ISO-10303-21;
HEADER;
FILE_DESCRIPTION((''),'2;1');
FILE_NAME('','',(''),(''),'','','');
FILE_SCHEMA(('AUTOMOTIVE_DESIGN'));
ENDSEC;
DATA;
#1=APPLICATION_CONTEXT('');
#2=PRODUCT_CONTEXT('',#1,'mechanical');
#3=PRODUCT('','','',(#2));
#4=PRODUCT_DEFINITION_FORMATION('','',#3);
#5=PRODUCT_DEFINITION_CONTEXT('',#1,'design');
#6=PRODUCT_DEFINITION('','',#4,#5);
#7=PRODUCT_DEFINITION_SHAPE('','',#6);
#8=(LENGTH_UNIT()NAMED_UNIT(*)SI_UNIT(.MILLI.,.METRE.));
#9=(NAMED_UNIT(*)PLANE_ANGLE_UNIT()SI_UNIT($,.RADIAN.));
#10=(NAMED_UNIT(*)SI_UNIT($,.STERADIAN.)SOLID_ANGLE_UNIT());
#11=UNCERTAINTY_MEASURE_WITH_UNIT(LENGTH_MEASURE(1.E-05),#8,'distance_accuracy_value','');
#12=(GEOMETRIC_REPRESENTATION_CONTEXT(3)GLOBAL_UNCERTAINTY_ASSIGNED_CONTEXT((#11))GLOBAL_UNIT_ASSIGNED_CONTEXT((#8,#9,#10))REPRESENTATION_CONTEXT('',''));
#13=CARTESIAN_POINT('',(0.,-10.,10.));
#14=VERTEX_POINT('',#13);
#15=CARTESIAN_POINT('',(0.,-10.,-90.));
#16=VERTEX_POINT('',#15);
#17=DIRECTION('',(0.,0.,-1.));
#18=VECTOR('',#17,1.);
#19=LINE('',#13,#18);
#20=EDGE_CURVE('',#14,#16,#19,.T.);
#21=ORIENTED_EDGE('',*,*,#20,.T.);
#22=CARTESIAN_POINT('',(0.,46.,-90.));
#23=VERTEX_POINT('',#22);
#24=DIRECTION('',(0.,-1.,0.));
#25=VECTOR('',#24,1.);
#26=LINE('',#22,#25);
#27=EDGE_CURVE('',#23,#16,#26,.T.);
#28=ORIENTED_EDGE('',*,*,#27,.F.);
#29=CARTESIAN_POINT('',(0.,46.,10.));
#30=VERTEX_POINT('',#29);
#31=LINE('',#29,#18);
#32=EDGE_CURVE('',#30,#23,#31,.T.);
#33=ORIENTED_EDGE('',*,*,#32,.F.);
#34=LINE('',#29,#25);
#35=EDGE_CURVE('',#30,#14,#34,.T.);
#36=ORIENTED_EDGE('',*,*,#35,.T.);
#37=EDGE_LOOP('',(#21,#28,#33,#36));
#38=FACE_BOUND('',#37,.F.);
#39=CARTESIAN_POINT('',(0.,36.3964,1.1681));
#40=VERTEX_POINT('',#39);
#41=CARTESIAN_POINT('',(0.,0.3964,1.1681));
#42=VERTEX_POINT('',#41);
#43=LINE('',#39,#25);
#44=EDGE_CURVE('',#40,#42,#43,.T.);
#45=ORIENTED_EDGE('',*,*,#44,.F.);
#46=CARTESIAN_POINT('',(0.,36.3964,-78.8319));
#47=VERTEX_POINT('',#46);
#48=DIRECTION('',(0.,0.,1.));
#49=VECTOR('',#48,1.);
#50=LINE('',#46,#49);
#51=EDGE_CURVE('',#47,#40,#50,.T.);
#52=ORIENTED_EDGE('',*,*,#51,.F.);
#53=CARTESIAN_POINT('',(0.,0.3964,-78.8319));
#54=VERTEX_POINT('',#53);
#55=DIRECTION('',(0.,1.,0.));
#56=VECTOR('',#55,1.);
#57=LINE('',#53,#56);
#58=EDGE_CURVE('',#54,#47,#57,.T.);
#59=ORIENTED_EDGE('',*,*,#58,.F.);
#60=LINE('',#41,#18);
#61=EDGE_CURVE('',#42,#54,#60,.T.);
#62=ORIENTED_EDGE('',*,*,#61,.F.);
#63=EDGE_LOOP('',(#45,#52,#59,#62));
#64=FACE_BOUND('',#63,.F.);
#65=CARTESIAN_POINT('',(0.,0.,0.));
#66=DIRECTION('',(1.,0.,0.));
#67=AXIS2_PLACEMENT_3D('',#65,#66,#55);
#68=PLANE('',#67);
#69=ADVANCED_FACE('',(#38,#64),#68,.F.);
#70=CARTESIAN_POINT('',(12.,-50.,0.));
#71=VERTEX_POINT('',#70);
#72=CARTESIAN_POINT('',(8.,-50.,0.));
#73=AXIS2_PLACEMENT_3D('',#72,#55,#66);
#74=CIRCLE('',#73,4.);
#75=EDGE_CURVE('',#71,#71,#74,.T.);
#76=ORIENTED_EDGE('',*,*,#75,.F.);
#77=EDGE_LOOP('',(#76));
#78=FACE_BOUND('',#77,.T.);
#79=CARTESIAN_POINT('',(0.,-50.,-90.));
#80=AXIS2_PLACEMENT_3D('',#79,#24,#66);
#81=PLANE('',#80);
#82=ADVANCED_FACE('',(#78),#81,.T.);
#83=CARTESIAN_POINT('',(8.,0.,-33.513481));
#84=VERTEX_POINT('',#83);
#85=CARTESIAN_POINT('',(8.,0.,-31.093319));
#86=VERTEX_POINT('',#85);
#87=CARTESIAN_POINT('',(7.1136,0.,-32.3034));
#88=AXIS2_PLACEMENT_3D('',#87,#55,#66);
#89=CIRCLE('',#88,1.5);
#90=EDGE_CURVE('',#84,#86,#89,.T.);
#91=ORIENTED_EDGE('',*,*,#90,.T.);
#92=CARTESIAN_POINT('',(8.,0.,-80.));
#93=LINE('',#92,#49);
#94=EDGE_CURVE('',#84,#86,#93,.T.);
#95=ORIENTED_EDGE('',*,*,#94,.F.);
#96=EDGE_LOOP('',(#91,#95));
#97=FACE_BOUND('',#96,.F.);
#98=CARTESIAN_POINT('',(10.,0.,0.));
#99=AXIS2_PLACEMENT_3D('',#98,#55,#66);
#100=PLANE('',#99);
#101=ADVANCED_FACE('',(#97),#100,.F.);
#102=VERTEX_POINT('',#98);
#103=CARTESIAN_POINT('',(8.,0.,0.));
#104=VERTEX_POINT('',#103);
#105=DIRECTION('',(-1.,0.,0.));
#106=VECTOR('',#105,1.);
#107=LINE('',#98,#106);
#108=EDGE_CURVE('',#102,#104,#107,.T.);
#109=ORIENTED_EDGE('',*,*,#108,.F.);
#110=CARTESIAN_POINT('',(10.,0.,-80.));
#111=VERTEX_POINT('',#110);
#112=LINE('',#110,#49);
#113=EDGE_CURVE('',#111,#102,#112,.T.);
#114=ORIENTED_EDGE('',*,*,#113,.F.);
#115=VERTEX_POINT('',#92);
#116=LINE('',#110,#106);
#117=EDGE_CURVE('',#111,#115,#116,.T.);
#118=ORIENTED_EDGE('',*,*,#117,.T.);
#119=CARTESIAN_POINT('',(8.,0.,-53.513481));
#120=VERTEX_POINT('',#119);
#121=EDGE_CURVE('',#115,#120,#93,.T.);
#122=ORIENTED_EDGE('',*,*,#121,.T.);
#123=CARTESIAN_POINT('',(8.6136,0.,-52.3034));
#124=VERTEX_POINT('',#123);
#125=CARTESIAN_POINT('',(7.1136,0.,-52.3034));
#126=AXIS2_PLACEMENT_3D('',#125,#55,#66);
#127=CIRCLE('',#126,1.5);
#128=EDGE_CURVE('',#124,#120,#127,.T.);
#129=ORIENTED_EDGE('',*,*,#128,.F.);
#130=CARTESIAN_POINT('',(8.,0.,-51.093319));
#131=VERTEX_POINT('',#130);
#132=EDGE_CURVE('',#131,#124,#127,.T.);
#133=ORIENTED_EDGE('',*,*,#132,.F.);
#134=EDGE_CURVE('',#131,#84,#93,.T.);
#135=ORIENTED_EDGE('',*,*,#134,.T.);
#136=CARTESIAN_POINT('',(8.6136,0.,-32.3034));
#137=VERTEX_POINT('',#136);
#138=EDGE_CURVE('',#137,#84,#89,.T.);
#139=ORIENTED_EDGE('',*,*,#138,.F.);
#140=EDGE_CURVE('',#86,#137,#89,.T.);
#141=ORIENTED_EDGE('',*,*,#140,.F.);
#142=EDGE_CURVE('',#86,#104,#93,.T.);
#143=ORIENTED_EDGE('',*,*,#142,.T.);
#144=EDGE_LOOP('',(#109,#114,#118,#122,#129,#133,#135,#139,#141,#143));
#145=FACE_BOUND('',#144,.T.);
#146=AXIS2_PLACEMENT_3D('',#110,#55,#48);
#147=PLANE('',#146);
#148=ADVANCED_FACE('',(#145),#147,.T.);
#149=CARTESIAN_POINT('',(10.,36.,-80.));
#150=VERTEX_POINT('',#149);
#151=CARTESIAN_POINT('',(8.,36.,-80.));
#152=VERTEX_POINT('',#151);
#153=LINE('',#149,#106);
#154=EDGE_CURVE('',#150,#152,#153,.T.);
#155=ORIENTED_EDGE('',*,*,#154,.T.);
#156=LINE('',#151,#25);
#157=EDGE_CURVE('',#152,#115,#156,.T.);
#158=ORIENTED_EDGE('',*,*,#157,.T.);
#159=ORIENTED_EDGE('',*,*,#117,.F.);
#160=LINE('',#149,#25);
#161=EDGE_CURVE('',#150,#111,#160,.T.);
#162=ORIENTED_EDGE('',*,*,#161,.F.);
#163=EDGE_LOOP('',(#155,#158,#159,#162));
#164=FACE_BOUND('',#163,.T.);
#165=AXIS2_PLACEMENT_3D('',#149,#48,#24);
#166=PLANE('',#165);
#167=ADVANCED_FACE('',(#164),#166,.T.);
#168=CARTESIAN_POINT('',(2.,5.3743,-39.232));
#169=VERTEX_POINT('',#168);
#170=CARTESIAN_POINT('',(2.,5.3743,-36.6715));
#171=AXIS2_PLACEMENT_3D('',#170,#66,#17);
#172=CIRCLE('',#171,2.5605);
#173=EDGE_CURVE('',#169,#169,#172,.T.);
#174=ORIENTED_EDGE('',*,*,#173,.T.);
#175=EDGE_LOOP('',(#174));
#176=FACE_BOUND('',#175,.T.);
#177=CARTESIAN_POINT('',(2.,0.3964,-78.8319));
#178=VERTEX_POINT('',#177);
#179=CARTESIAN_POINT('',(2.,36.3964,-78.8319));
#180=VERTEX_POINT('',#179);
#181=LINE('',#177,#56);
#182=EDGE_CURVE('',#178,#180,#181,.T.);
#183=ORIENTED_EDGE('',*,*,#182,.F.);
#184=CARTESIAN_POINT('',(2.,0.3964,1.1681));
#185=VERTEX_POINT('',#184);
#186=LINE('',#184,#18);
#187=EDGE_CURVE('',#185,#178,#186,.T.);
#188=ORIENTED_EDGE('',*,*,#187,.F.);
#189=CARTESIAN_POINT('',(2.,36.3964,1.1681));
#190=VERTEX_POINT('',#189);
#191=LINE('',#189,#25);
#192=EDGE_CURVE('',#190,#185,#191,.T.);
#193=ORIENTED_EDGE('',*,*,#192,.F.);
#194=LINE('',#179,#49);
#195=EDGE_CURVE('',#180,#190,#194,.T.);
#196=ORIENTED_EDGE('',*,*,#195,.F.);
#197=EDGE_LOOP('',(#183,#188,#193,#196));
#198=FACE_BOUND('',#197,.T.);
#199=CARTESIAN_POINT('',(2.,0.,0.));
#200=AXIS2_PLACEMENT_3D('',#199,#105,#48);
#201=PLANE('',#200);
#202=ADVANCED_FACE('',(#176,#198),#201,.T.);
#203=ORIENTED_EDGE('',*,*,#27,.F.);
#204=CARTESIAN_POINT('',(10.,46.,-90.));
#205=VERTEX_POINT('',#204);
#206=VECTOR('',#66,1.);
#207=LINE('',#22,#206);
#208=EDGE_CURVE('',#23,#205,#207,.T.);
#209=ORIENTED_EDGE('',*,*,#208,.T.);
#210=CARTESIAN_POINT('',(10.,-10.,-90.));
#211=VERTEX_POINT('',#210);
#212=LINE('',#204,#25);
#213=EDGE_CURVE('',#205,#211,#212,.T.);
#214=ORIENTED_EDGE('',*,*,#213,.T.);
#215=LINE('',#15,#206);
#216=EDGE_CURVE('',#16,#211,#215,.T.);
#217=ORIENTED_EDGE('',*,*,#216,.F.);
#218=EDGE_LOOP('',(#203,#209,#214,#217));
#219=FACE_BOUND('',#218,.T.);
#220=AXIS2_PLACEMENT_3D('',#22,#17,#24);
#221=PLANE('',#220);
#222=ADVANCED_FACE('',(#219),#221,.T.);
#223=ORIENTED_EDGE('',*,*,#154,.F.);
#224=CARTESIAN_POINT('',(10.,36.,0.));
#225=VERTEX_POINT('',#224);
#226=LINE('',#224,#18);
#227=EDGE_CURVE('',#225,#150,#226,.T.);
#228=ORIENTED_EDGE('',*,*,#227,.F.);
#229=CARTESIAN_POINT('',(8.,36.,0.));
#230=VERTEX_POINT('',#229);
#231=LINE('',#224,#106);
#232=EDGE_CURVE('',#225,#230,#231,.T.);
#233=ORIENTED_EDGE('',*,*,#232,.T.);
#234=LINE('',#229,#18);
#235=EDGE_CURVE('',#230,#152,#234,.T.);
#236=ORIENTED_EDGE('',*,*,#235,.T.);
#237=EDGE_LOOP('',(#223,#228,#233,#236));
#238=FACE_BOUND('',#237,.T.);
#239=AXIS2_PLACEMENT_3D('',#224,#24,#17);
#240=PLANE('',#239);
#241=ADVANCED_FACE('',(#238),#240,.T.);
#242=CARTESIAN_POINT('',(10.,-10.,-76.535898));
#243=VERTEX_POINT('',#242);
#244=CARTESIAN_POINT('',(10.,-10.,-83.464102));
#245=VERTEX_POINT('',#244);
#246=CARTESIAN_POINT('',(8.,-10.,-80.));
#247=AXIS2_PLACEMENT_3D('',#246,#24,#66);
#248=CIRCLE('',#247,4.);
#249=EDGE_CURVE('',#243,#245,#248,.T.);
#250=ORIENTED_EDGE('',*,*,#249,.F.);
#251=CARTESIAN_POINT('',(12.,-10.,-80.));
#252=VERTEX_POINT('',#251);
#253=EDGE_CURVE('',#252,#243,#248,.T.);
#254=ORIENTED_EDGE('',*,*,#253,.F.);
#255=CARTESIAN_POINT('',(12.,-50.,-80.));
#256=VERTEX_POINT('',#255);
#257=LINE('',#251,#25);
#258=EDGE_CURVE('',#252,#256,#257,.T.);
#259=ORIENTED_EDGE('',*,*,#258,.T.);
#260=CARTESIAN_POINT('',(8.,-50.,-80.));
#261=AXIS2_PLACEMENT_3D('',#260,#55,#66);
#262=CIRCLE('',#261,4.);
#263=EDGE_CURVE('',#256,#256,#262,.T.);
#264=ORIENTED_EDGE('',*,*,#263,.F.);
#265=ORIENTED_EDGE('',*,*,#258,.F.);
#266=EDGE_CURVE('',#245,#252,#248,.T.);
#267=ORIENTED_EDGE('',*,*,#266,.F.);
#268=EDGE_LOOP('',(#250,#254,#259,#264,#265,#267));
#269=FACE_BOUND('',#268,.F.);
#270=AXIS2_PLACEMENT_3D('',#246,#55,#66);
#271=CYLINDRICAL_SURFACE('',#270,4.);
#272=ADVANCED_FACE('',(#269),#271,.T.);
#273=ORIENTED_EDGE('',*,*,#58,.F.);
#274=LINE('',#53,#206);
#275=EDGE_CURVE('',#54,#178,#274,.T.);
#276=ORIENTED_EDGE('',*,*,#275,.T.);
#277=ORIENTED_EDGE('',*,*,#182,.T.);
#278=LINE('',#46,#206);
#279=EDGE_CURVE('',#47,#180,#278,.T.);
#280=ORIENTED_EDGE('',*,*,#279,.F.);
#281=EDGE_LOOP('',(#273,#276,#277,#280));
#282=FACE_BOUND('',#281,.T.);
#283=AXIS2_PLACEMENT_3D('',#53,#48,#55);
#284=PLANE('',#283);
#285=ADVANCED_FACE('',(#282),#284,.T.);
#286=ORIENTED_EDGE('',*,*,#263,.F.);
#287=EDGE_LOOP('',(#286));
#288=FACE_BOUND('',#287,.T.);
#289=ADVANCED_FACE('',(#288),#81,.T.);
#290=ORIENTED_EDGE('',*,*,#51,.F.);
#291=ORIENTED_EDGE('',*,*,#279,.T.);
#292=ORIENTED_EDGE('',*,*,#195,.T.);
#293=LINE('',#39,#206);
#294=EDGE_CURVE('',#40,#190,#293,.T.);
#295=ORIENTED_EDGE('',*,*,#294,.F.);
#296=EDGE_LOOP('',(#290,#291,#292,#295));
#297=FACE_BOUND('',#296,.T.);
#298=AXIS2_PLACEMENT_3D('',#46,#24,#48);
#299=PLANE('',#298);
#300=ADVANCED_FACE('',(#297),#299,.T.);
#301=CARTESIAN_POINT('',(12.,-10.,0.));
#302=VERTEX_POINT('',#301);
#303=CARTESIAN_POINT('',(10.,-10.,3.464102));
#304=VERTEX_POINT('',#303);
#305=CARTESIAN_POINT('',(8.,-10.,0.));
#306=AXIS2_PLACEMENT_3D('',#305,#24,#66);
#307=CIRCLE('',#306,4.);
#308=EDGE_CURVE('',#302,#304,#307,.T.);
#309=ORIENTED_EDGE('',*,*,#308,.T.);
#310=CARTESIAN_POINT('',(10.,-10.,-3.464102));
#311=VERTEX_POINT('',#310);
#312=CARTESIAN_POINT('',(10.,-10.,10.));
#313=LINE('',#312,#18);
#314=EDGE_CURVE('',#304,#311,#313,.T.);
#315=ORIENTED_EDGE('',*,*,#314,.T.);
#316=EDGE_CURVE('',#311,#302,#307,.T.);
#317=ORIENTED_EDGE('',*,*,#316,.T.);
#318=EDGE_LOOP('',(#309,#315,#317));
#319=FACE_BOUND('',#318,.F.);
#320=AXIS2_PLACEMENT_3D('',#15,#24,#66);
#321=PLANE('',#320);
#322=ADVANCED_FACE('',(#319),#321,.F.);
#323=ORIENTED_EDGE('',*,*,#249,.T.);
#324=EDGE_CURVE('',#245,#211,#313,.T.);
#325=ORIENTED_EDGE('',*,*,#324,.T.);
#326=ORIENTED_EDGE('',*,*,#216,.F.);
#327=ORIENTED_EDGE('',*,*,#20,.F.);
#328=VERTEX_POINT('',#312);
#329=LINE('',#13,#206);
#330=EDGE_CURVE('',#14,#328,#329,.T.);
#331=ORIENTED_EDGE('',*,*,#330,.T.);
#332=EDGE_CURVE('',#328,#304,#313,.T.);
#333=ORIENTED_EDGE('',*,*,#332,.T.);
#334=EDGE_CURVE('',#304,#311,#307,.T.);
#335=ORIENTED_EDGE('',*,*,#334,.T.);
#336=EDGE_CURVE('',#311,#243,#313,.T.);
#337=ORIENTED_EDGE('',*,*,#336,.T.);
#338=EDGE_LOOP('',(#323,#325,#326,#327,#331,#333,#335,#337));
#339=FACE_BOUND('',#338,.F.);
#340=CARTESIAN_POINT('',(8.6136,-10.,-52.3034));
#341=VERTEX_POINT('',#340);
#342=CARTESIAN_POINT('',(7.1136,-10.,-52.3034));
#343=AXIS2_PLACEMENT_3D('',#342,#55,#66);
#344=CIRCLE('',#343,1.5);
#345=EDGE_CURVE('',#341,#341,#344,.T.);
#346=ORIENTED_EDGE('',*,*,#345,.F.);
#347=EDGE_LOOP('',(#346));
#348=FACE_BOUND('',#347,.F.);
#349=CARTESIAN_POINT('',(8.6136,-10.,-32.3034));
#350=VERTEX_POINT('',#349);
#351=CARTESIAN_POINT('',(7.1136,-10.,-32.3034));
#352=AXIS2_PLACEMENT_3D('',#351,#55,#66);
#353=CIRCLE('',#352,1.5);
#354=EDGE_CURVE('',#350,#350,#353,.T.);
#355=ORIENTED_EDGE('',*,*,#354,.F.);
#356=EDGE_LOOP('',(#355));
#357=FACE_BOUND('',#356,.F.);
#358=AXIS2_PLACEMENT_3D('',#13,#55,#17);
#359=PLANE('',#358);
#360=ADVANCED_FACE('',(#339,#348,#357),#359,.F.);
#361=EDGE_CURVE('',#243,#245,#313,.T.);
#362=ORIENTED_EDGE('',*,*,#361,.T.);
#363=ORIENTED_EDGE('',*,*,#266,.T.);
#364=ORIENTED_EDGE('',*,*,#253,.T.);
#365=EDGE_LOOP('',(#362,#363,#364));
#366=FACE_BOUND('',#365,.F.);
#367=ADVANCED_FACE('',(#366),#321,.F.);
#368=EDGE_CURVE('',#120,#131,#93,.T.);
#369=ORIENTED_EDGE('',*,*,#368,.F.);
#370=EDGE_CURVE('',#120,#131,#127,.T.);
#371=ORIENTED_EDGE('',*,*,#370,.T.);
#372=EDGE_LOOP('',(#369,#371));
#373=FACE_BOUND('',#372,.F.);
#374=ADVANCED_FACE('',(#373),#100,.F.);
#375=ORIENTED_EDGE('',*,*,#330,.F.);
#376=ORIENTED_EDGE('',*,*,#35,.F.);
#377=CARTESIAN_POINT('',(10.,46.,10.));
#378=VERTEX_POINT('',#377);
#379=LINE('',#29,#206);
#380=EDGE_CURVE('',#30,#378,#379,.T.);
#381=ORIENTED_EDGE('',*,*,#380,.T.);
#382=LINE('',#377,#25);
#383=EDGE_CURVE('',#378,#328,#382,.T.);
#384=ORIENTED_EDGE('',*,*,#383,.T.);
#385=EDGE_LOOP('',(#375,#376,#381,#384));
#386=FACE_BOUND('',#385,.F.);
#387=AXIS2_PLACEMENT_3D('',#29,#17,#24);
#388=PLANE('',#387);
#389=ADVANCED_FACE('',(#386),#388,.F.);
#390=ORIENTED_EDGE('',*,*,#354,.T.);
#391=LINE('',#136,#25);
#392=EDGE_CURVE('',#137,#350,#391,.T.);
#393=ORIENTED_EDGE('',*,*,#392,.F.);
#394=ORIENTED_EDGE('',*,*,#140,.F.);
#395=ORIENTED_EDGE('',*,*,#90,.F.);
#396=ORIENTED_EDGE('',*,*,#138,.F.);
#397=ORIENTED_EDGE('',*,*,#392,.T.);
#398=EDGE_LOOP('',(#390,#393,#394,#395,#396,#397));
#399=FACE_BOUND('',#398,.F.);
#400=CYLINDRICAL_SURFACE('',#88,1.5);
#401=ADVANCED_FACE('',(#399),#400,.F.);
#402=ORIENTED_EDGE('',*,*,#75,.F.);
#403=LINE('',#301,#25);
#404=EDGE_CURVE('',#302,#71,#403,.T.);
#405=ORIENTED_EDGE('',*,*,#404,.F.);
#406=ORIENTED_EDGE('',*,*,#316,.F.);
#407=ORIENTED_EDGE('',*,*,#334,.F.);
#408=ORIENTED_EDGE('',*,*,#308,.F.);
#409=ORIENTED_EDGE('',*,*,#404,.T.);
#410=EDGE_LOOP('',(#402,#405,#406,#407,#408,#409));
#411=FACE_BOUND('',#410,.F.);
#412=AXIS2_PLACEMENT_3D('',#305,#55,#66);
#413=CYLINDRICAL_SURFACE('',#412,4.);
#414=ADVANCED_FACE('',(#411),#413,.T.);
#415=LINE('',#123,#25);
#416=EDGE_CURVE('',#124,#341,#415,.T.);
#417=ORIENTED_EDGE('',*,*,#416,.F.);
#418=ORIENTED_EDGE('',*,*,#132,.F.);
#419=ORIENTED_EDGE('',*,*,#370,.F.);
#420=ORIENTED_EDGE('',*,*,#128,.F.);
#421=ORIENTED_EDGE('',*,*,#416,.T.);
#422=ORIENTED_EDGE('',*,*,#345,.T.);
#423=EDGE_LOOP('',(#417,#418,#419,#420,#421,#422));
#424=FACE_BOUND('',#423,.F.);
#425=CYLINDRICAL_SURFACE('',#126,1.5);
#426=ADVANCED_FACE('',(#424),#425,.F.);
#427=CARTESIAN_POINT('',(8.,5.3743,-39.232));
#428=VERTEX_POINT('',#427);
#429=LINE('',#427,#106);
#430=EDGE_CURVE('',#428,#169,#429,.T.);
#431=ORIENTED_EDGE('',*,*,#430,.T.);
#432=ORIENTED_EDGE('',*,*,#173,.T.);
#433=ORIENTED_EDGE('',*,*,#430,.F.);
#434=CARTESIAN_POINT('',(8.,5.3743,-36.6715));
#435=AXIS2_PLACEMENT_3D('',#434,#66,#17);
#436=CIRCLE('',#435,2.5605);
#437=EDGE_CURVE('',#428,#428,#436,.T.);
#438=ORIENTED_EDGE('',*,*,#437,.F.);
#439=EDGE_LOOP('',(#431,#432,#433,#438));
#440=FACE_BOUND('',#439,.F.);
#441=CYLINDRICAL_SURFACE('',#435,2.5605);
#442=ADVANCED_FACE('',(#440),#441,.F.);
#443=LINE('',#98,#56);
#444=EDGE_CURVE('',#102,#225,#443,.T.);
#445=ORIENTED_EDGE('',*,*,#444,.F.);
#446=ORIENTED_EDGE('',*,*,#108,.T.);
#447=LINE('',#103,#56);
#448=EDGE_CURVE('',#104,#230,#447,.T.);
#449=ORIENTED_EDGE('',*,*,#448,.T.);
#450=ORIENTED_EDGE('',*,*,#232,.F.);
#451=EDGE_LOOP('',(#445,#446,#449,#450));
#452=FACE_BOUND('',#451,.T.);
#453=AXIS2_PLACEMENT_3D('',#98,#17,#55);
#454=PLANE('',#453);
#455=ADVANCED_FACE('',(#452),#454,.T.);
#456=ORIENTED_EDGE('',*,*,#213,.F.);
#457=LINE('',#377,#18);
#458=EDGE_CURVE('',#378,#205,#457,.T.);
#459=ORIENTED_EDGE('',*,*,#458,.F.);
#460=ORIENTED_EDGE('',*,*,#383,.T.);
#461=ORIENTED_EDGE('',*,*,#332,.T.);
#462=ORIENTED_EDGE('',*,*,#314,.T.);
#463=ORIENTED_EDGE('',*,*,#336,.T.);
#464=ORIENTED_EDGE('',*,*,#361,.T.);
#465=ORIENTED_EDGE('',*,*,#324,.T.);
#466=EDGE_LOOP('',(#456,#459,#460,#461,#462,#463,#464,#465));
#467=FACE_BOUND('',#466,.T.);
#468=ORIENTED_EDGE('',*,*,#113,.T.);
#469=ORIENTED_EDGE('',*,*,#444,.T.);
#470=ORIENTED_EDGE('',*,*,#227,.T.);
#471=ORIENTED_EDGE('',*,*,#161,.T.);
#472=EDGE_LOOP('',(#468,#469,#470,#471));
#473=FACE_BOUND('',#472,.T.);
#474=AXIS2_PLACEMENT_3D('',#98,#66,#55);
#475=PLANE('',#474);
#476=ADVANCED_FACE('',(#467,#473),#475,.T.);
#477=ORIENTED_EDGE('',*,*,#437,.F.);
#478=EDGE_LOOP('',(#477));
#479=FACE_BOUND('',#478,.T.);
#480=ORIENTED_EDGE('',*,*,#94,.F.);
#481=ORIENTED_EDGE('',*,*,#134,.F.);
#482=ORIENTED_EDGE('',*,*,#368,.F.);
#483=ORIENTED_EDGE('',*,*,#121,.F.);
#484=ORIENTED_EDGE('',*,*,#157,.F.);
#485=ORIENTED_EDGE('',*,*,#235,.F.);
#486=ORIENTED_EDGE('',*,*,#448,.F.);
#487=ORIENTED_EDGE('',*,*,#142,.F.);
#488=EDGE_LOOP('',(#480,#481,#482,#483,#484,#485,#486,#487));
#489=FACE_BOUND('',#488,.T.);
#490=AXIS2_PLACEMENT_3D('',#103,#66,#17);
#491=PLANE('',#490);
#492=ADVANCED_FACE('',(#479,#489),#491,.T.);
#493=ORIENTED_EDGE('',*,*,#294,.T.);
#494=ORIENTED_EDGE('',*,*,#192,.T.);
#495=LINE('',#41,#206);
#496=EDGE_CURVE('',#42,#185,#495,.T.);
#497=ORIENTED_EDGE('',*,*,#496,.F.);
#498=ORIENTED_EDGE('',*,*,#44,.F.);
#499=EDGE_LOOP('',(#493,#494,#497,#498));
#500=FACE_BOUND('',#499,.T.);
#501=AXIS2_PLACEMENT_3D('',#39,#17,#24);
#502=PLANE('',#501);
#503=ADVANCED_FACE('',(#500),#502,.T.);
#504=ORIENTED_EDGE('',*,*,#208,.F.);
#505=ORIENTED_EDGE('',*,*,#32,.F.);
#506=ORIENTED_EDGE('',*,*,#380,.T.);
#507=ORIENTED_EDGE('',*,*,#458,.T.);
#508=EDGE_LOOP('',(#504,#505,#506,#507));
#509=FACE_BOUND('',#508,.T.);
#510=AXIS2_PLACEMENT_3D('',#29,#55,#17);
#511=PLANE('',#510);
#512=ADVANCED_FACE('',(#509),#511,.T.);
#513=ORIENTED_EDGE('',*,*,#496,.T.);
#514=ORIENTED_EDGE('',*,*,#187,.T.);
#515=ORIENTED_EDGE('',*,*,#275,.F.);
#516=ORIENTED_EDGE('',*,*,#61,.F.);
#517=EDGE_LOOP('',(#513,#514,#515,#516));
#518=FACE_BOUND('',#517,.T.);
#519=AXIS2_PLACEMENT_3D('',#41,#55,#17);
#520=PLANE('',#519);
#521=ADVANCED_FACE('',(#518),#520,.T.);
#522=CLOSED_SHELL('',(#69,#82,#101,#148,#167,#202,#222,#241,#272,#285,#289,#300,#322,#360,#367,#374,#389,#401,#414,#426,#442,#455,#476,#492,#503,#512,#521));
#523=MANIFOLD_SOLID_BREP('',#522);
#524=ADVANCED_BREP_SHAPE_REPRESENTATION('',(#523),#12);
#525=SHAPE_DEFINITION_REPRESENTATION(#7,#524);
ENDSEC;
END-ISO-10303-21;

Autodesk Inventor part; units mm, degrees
ref_plane "YZ Plane" through (0, 0, 0) normal (1, 0, 0) x (0, 1, 0)
ref_plane "XZ Plane" through (0, 0, 0) normal (0, 1, 0) x (-1, 0, 0)
ref_plane "XY Plane" through (0, 0, 0) normal (0, 0, 1) x (1, 0, 0)
sketch "Sketch1" plane through (0, 0, 0) normal (1, 0, 0) x (0, 1, 0)
  line L0 (46, 10) -> (-10, 10)
  line L1 (46, -90) -> (-10, -90)
  line L2 (46, 10) -> (46, -90)
  line L3 (-10, 10) -> (-10, -90)
  point P0 (0, 0)
  dimension "d4" = 100
extrude "Extrusion1" add sketch "Sketch1" along normal blind 10
sketch "Sketch2" plane through (10, 0, 0) normal (1, 0, 0) x (0, 0, -1)
  line L0 (0, 36) -> (80, 36)
  line L1 (80, 36) -> (80, 0)
  line L2 (80, 0) -> (0, 0)
  line L3 (0, 0) -> (0, 36)
  line L4 (90, 46) -> (-10, 46) projected
  line L5 (-10, -10) -> (90, -10) projected
  line L6 (-10, 46) -> (-10, -10) projected
  line L7 (90, -10) -> (90, 46) projected
  point P0 (0, 0)
  dimension "d9" = 80
  dimension "d10" = 36
  dimension "d11" = 10
  dimension "d12" = 10
  dimension "d13" = 10
  dimension "d14" = 10
extrude "Extrusion2" cut sketch "Sketch2" against normal blind 2 contours L0 L1 L2 L3
sketch "Sketch3" plane through (10, 0, 0) normal (0, 1, 0) x (1, 0, 0)
  circle A0 centre (-2.8864, 52.3034) radius 1.5
  circle A1 centre (-2.8864, 32.3034) radius 1.5
  line L0 (0, 80) -> (-2, 80) projected
  line L1 (0, 0) -> (-2, 0) projected
  point P0 (-10, 0)
  dimension "d17" = 3
  dimension "d18" = 3
  dimension "d19" = 20
  dimension "d20" = 27.6966
  dimension "d21" = 32.3034
extrude "Extrusion3" cut sketch "Sketch3" against normal through all
sketch "Sketch4" plane through (8, 0, 0) normal (1, 0, 0) x (0, 0, -1)
  circle A0 centre (36.6715, 5.3743) radius 2.5605
  point P0 (0, 0)
extrude "Extrusion4" cut sketch "Sketch4" against normal through all
sketch "Sketch5" plane through (0, -10, -90) normal (0, -1, 0) x (1, 0, 0)
  line L0 (8, 10) -> (8, 90) projected
  circle A0 centre (8, 90) radius 4
  line L1 (10, 10) -> (8, 10) projected
  circle A1 centre (8, 10) radius 4
  point P0 (0, 90)
  dimension "d26" = 8
  dimension "d27" = 8
extrude "Extrusion5" add sketch "Sketch5" along normal blind 40
sketch "Sketch6" plane through (0, -10, -90) normal (0, -1, 0) x (1, 0, 0)
  point P0 (0, 90)
sketch "Sketch8" plane through (0, -10, -90) normal (0, -1, 0) x (1, 0, 0)
  point P0 (0, 90)
sketch "Sketch9" plane through (10, 0, 0) normal (1, 0, 0) x (0, 0, -1)
  point P0 (0, 0)
sketch "Sketch10" plane through (0, 0, 0) normal (-1, 0, 0) x (0, 0, 1)
  line L0 (-78.8319, 36.3964) -> (1.1681, 36.3964)
  line L1 (1.1681, 36.3964) -> (1.1681, 0.3964)
  line L2 (1.1681, 0.3964) -> (-78.8319, 0.3964)
  line L3 (-78.8319, 0.3964) -> (-78.8319, 36.3964)
  point P0 (0, 0)
  dimension "d34" = 80
  dimension "d35" = 36
extrude "Extrusion7" cut sketch "Sketch10" against normal blind 2
properties part number "upper part edited" material "Polyethylene, High Density"
